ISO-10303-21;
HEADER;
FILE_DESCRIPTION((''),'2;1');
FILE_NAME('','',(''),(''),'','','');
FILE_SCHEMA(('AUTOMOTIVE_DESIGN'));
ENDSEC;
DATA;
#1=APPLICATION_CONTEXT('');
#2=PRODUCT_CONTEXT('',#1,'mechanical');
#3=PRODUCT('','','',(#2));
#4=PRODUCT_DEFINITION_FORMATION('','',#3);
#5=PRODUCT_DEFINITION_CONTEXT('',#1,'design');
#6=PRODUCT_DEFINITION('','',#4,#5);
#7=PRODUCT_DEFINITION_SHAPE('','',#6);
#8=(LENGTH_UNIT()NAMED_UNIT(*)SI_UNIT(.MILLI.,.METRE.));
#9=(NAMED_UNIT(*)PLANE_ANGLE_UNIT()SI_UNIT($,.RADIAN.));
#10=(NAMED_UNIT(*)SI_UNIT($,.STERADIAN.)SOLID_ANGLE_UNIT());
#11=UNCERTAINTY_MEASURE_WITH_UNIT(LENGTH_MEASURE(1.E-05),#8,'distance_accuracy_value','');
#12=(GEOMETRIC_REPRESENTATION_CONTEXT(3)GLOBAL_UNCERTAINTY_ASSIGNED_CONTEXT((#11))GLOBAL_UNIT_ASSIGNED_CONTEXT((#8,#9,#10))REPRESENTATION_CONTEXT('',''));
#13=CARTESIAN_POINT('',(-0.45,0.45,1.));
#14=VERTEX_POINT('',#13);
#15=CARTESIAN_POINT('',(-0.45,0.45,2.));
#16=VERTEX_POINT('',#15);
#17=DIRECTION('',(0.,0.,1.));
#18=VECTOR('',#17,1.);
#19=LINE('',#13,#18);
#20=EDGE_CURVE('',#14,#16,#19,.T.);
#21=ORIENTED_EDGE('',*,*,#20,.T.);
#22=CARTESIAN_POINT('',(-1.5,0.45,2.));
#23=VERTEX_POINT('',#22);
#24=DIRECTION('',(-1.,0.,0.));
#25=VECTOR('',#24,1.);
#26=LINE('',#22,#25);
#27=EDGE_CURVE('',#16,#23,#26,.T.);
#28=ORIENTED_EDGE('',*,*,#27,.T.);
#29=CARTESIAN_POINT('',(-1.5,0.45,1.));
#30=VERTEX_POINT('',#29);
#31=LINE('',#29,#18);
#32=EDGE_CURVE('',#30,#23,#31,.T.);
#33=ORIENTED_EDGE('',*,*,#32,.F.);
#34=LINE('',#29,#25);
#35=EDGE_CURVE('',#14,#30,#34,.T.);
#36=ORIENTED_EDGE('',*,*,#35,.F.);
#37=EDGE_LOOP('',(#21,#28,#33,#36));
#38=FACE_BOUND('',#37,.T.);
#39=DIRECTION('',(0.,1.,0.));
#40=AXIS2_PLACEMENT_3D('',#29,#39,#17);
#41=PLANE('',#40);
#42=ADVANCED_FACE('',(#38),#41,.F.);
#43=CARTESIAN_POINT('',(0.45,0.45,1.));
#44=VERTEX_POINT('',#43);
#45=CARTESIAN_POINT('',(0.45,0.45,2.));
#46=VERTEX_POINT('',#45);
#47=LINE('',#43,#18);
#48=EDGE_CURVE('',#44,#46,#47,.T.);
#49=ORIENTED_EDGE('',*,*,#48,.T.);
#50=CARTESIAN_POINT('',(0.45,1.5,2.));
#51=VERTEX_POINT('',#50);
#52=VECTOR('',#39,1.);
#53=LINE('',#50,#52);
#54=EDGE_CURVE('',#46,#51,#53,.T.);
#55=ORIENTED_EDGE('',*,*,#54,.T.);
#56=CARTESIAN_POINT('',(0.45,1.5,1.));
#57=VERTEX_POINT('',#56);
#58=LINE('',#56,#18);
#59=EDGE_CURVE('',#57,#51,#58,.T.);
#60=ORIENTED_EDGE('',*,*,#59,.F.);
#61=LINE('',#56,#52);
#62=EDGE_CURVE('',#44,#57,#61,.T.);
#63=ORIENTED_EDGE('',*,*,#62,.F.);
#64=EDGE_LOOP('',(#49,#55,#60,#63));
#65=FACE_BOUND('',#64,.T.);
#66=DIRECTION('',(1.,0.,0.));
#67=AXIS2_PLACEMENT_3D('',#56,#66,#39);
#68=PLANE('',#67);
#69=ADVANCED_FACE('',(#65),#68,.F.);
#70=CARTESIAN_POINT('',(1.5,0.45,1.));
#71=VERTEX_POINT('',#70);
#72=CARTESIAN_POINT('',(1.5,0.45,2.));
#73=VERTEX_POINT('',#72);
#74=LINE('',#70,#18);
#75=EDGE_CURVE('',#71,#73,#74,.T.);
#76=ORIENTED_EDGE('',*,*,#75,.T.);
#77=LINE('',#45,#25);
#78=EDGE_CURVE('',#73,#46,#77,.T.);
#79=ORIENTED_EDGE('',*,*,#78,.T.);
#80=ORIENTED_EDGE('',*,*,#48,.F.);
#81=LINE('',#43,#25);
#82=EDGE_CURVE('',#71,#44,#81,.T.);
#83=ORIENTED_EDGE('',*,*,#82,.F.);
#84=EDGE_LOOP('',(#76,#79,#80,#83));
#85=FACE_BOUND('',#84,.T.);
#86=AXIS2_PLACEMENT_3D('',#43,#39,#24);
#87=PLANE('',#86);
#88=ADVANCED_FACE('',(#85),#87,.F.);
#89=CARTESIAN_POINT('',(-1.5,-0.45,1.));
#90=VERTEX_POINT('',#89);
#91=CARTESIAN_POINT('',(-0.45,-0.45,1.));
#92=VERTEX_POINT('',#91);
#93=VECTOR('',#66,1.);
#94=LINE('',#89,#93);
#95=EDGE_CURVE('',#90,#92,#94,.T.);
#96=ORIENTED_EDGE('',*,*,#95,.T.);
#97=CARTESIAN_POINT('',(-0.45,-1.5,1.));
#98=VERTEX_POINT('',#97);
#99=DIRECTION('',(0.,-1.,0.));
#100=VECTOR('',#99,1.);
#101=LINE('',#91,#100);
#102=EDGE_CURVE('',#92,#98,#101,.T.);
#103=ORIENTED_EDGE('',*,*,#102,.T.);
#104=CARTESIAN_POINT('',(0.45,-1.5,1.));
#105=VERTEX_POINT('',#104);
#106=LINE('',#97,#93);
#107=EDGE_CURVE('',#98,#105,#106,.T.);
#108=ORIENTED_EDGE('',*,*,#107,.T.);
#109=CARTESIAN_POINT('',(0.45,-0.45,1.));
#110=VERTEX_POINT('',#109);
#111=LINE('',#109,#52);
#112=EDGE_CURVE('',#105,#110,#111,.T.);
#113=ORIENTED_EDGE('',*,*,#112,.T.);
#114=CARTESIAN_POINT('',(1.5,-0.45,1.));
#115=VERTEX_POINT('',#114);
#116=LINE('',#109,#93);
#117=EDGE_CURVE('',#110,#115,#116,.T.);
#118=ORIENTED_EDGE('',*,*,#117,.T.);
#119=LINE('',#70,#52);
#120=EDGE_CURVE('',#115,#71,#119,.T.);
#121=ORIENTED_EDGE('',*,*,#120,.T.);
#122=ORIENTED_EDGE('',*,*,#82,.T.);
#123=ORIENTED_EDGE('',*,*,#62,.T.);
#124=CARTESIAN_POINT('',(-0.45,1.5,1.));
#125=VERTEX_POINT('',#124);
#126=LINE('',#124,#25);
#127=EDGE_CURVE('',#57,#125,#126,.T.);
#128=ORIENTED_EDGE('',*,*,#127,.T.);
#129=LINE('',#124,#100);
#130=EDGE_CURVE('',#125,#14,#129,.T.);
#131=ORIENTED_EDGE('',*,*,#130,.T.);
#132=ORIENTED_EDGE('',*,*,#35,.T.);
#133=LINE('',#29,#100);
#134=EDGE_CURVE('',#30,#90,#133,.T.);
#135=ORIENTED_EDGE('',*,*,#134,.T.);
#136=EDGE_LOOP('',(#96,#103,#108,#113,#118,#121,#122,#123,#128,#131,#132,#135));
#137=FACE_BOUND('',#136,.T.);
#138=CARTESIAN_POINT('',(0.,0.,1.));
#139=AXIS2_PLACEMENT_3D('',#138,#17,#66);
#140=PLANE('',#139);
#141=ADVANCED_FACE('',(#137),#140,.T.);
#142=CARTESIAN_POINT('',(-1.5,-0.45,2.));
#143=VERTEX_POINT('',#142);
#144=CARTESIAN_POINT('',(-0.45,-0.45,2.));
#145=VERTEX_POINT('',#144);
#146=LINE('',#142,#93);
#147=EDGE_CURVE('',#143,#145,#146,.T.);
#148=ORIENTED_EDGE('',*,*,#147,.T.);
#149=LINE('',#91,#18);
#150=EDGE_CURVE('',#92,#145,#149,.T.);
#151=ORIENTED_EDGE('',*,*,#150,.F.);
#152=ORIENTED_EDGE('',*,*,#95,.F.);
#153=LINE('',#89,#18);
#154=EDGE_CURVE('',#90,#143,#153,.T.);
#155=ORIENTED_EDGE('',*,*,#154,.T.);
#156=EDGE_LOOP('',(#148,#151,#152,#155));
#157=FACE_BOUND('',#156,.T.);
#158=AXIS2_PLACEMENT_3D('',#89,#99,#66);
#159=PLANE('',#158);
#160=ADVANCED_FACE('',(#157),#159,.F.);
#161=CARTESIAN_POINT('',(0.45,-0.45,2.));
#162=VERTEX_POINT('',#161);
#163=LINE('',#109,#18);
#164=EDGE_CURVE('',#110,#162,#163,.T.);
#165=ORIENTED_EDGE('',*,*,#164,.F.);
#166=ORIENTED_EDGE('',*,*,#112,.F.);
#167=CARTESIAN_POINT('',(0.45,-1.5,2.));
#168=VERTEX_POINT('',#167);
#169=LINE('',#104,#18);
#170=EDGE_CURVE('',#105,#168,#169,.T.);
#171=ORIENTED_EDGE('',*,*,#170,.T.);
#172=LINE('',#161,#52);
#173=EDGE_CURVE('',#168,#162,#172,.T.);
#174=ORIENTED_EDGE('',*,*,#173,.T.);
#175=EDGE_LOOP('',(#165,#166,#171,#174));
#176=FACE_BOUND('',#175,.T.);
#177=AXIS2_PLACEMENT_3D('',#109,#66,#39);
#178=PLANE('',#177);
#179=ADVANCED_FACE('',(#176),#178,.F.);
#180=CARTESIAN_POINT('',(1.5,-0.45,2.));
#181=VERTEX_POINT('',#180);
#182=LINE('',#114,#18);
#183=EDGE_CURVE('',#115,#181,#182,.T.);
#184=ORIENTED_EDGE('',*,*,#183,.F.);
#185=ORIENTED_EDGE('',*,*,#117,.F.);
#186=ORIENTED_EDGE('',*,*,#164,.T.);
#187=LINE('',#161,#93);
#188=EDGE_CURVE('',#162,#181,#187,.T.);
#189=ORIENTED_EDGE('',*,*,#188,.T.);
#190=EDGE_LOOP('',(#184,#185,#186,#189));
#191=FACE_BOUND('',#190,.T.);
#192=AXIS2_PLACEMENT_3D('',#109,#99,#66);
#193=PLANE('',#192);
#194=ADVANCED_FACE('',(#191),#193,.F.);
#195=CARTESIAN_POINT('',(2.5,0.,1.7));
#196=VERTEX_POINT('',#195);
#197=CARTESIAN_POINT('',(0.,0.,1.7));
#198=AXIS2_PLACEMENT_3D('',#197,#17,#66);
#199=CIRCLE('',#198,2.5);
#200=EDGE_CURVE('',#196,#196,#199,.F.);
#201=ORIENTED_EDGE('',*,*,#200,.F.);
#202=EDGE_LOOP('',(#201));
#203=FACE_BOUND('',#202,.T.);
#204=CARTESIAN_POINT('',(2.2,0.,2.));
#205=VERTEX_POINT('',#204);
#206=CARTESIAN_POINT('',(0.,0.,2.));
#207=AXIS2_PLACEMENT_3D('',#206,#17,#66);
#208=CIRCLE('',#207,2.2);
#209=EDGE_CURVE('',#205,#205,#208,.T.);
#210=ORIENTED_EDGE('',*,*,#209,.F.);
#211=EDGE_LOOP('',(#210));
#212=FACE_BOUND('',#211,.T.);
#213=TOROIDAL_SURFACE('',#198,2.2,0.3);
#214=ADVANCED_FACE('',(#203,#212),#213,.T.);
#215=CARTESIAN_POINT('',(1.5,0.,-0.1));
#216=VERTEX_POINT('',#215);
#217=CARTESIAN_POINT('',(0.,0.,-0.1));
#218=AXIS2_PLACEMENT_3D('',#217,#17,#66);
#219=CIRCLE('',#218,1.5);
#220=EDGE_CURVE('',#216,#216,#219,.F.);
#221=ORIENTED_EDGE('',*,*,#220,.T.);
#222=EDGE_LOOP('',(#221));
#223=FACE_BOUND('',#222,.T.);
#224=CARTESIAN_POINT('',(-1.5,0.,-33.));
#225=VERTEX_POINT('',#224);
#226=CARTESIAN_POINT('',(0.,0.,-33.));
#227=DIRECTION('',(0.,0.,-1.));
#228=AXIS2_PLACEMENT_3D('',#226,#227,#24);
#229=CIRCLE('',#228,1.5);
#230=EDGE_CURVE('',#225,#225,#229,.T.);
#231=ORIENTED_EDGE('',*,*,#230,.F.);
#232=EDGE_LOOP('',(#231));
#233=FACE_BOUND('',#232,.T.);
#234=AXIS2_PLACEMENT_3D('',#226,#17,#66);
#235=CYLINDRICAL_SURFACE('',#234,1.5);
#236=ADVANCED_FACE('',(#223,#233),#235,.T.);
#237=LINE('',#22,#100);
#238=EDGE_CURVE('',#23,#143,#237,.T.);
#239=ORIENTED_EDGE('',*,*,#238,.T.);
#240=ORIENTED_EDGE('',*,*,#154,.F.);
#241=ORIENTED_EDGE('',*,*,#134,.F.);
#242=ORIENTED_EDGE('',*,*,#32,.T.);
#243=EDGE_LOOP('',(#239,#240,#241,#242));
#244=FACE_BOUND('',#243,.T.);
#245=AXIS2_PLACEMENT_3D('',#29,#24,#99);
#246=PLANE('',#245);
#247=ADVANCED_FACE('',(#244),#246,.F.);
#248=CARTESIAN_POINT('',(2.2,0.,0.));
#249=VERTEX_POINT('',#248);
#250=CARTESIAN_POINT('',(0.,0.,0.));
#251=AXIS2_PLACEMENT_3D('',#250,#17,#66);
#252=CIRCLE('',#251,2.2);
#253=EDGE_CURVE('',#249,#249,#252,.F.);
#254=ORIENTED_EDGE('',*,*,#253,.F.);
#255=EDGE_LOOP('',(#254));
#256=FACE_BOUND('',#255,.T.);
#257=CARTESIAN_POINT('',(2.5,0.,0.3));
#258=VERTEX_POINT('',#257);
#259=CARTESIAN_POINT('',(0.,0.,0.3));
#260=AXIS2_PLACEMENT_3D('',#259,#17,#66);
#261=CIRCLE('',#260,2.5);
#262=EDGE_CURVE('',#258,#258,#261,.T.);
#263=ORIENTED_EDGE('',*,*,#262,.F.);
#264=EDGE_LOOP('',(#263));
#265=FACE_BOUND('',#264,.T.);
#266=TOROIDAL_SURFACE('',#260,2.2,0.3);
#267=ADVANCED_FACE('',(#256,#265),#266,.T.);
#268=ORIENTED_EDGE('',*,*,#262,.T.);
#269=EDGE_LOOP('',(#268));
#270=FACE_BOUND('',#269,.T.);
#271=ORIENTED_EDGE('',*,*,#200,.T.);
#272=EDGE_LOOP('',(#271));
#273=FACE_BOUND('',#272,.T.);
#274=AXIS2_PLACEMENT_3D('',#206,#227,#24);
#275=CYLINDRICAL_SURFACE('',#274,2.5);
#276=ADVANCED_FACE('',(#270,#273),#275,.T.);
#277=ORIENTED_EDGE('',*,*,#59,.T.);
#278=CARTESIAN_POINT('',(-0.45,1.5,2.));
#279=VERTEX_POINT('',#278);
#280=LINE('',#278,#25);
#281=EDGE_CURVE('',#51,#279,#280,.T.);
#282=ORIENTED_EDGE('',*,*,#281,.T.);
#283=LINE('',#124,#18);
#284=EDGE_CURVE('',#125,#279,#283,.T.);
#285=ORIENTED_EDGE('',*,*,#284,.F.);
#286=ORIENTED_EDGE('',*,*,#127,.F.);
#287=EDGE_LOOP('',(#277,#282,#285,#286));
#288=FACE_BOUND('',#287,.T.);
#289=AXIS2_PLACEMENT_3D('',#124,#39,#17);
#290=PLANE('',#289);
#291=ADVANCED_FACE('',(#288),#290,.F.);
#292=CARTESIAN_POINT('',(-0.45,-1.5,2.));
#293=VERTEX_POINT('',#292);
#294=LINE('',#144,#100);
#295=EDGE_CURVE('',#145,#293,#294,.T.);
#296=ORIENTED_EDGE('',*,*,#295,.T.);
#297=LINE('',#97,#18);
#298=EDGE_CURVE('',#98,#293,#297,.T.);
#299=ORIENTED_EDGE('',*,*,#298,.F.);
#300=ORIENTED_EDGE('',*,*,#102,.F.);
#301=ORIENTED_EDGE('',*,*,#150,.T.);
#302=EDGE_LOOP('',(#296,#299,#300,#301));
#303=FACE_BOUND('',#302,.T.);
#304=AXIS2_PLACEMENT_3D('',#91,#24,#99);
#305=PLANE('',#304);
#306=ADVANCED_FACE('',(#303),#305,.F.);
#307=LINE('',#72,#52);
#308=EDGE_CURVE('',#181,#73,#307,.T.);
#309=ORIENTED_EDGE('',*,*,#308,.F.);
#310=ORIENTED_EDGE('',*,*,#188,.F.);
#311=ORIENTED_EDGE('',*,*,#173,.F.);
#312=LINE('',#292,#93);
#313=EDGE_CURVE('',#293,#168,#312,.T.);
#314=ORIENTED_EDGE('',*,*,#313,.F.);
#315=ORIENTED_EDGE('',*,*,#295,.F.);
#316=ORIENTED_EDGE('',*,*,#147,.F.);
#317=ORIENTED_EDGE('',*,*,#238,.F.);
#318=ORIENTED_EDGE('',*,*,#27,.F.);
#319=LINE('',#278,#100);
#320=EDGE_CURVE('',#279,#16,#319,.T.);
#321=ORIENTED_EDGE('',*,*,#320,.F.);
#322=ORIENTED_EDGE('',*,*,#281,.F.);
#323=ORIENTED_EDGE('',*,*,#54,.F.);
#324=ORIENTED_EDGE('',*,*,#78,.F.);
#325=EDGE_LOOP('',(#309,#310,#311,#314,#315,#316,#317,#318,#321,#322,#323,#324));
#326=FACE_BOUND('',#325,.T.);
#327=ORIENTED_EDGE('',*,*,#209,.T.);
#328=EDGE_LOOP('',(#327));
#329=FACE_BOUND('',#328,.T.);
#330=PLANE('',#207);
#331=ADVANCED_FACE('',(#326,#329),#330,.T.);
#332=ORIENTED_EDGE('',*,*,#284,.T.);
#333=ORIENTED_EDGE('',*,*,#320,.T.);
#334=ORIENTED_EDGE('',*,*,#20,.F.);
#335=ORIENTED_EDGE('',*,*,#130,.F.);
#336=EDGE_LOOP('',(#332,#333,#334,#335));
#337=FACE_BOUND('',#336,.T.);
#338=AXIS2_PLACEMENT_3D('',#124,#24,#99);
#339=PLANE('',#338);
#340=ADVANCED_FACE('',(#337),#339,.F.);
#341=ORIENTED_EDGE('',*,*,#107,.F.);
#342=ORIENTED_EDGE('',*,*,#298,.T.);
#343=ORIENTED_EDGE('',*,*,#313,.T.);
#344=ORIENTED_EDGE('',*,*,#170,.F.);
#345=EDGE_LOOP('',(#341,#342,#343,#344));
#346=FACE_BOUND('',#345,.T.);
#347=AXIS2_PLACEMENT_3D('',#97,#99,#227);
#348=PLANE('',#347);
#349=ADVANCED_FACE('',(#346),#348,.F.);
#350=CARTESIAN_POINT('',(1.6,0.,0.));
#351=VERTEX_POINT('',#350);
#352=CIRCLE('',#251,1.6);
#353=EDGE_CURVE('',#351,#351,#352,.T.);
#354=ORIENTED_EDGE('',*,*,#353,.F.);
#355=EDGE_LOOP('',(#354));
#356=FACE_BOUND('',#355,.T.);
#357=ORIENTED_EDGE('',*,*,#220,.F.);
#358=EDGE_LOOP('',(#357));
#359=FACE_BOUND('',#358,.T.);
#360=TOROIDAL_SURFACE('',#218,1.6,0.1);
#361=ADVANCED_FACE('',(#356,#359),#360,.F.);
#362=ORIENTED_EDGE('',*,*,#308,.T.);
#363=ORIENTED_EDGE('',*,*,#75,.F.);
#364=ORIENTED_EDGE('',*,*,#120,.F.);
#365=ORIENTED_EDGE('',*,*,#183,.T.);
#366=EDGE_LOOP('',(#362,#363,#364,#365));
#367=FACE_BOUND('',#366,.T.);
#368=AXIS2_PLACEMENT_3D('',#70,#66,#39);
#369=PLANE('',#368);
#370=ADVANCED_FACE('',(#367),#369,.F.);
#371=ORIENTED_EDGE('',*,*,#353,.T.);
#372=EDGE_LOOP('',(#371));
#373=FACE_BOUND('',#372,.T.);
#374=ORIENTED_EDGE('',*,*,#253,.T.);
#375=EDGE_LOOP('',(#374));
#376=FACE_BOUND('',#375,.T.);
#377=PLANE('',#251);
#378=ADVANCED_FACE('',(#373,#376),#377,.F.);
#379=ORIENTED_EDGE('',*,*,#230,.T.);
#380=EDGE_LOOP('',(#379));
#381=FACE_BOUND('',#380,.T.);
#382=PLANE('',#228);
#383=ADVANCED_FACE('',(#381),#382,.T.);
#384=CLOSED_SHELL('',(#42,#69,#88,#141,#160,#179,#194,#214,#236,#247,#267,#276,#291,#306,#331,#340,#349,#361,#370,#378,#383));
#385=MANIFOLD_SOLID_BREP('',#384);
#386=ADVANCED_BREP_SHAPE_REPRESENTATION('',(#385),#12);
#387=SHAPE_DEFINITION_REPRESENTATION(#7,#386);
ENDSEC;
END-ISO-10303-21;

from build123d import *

# Parameters (mm, degrees)
SKETCH_1_R          = 2.5
EXTRUDE_1_DEPTH     = 2
SKETCH_2_R          = 1.5
EXTRUDE_2_DEPTH     = 33
FILLET_2_R          = 0.3
CUT_EXTRUDE_1_DEPTH = 1
FILLET_1_R          = 0.1


with BuildPart() as part:
    # Эскиз1 → Бобышка-Вытянуть1 (new body)
    with BuildSketch(Plane.XY):
        Circle(SKETCH_1_R)
    extrude(amount=EXTRUDE_1_DEPTH)

    # Эскиз2 → Бобышка-Вытянуть2 (add)
    with BuildSketch(Plane(origin=(0, 0, 0), x_dir=(-1, 0, 0), z_dir=(0, 0, -1))):
        Circle(SKETCH_2_R)
    extrude(amount=EXTRUDE_2_DEPTH)

    # Скругление2
    fillet_2_edges = [part.edges().sort_by_distance(p)[0] for p in [
        (-2.5, 0, 0),
        (-2.5, 0, 2),
    ]]
    fillet(fillet_2_edges, radius=FILLET_2_R)

    # Эскиз3 → Вырез-Вытянуть1 (cut)
    with BuildSketch(Plane.XY.offset(2)):
        Polygon((-0.45, 1.5), (0.45, 1.5), (0.45, 0.45), (1.5, 0.45), (1.5, -0.45), (0.45, -0.45), (0.45, -1.5), (-0.45, -1.5), (-0.45, -0.45), (-1.5, -0.45), (-1.5, 0.45), (-0.45, 0.45), align=None)
    extrude(amount=-CUT_EXTRUDE_1_DEPTH, mode=Mode.SUBTRACT)

    # Скругление1
    fillet_1_edges = [part.edges().sort_by_distance(p)[0] for p in [
        (1.5, 0, 0),
    ]]
    fillet(fillet_1_edges, radius=FILLET_1_R)


solid = part.part
